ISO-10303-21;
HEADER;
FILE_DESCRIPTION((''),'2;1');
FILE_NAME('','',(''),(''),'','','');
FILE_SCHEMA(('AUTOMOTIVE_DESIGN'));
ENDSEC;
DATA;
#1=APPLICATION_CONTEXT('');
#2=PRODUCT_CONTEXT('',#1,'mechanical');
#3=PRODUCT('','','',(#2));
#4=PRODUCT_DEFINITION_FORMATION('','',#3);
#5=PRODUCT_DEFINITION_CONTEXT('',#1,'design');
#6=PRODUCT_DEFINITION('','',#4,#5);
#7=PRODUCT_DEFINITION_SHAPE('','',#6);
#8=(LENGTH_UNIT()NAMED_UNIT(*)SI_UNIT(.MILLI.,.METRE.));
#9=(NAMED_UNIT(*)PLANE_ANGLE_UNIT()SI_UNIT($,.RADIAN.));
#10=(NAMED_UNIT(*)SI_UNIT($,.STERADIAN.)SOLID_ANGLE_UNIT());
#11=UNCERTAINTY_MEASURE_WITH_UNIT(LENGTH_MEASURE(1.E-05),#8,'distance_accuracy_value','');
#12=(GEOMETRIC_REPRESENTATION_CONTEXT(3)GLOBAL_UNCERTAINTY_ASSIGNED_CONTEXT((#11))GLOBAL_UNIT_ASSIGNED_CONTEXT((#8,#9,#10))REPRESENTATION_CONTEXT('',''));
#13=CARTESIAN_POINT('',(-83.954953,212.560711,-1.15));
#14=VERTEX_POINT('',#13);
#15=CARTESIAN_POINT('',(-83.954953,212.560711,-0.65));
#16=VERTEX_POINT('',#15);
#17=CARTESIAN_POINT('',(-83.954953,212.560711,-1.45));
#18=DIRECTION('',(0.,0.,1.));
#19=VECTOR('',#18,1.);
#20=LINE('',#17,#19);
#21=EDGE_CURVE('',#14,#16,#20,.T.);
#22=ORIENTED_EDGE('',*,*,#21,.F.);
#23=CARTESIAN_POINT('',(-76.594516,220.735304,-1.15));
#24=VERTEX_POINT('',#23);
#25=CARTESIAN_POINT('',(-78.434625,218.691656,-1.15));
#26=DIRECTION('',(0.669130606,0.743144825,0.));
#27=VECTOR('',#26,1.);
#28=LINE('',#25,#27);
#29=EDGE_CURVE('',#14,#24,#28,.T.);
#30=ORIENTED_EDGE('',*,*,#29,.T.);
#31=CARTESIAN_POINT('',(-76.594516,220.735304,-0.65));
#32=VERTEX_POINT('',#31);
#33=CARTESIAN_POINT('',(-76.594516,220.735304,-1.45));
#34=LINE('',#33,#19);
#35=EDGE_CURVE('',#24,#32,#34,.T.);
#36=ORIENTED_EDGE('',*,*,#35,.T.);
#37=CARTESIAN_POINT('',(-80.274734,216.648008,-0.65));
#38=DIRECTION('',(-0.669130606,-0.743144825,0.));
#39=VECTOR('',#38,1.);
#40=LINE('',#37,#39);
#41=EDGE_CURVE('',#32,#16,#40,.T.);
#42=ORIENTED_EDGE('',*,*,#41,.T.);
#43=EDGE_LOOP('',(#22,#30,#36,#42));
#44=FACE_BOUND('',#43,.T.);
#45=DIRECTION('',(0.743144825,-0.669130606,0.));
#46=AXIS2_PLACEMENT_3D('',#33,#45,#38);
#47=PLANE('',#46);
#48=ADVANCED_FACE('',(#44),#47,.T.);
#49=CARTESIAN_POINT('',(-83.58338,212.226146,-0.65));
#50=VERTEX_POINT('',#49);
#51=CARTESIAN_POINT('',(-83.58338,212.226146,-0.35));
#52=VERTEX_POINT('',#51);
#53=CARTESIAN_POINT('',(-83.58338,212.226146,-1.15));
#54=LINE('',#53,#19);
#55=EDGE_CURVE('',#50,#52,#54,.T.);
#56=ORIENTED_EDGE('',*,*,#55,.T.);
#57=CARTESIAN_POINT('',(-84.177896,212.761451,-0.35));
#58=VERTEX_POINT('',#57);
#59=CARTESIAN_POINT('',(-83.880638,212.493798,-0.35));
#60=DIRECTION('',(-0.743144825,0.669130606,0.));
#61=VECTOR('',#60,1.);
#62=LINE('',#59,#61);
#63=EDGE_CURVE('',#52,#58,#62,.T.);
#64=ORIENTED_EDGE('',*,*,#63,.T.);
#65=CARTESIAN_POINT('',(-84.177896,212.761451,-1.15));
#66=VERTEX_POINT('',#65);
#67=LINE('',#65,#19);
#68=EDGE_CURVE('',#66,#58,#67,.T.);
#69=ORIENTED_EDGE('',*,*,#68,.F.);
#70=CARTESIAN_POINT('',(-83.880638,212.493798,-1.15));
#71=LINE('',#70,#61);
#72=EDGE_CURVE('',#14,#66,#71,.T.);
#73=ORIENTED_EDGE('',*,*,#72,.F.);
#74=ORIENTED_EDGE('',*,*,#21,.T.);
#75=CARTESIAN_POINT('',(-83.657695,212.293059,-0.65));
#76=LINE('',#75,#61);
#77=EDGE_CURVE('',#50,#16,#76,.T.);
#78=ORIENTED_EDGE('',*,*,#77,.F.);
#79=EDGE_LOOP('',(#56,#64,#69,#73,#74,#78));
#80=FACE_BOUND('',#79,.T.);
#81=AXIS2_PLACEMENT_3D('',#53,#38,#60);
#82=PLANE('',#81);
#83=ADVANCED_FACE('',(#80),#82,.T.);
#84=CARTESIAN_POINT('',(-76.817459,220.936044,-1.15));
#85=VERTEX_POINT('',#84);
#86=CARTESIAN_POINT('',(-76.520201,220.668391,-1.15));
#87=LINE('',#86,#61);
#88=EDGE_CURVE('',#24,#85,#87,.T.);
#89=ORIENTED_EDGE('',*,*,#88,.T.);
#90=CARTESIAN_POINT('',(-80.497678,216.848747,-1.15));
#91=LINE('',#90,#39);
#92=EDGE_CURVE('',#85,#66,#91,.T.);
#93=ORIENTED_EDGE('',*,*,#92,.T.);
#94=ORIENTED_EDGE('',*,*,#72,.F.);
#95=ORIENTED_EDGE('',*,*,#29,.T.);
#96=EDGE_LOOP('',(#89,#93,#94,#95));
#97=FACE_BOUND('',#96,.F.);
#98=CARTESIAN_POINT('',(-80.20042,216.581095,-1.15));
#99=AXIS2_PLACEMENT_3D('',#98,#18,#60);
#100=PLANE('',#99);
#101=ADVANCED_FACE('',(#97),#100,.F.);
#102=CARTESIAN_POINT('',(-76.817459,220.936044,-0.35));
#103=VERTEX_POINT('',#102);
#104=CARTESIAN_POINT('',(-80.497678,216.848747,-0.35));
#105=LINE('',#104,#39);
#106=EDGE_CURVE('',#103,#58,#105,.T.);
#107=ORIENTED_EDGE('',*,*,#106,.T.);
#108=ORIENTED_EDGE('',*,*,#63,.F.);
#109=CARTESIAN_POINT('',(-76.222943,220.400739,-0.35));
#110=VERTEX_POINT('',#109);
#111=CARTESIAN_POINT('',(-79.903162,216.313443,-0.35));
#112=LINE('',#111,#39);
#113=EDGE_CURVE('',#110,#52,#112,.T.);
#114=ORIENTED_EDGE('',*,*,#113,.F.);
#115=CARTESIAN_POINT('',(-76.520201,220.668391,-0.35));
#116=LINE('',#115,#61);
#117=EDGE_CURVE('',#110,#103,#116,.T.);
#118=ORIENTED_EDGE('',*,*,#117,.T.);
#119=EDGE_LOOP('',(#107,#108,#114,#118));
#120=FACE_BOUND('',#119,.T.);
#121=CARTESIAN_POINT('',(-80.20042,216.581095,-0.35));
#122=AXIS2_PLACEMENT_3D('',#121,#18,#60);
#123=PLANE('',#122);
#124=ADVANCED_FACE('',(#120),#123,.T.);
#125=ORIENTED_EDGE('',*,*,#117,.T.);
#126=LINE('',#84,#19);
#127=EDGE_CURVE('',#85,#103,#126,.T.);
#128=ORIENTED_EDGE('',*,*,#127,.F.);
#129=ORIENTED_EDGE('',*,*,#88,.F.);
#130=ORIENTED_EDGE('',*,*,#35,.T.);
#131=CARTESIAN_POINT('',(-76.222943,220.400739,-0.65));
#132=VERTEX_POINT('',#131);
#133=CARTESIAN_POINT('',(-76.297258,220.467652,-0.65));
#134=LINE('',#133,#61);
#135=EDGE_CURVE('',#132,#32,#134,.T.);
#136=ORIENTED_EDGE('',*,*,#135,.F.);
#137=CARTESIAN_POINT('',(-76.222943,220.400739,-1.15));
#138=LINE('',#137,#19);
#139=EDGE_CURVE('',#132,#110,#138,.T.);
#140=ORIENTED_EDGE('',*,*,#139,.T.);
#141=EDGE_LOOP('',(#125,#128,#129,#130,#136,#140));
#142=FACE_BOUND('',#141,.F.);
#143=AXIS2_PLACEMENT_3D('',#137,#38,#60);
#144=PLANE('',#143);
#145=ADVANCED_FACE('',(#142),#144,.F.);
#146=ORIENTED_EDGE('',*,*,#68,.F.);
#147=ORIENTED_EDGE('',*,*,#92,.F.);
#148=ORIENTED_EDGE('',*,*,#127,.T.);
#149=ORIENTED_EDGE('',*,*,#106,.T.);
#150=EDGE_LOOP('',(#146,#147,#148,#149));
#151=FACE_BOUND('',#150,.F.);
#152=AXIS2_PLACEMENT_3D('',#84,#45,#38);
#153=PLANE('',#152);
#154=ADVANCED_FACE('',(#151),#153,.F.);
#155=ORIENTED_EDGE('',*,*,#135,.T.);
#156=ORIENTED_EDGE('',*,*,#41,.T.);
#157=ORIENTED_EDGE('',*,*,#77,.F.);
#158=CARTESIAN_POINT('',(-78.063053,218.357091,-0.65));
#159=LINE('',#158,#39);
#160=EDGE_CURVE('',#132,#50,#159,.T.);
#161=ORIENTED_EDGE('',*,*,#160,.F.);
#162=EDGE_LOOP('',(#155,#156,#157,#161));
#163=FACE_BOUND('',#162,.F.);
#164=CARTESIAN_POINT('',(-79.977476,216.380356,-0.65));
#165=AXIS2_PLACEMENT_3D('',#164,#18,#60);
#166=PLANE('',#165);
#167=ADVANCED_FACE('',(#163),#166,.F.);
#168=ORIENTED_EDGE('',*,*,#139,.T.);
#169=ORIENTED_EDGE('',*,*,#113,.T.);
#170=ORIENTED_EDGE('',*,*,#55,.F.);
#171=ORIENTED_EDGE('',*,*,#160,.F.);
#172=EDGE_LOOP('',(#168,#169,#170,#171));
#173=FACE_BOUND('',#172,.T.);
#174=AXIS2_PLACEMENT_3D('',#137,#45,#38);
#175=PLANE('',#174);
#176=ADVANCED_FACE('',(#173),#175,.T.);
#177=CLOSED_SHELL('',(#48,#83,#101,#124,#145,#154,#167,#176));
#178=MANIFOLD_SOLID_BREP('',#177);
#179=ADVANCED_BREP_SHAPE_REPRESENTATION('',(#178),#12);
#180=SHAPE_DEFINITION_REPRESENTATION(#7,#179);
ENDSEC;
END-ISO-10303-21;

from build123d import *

# Parameters (mm, degrees)
BOX195_W               = 0.8
BOX195_H               = 11
BOX195_DEPTH           = 0.8
BOX196_W               = 0.8
BOX196_H               = 11
BOX196_DEPTH           = 0.8
CUT101_PLACEMENT_ANGLE = 138


with BuildPart() as cubo195:
    # Box195 → Box195 (new body)
    with BuildSketch(Plane.XY):
        with Locations((0.4, 5.5)):
            Rectangle(BOX195_W, BOX195_H)
    extrude(amount=BOX195_DEPTH)


with BuildPart() as perfil_l_2da_cara043:
    # Box196 → Box196 (new body)
    with BuildSketch(Plane(origin=(0.3, 0, 0.3), x_dir=(1, 0, 0), z_dir=(0, 0, 1))):
        with Locations((0.4, 5.5)):
            Rectangle(BOX196_W, BOX196_H)
    extrude(amount=BOX196_DEPTH)

    # Cut101: cut Cubo195
    add(cubo195.part, mode=Mode.SUBTRACT)


with BuildPart() as perfil_l_2da_cara043_1:
    # Cut101 placement: moved
    add(perfil_l_2da_cara043.part.moved(Location((-76, 220.2, -1.45))).rotate(Axis((-76, 220.2, -1.45), (0, 0, 1)), CUT101_PLACEMENT_ANGLE))


solid = perfil_l_2da_cara043_1.part
